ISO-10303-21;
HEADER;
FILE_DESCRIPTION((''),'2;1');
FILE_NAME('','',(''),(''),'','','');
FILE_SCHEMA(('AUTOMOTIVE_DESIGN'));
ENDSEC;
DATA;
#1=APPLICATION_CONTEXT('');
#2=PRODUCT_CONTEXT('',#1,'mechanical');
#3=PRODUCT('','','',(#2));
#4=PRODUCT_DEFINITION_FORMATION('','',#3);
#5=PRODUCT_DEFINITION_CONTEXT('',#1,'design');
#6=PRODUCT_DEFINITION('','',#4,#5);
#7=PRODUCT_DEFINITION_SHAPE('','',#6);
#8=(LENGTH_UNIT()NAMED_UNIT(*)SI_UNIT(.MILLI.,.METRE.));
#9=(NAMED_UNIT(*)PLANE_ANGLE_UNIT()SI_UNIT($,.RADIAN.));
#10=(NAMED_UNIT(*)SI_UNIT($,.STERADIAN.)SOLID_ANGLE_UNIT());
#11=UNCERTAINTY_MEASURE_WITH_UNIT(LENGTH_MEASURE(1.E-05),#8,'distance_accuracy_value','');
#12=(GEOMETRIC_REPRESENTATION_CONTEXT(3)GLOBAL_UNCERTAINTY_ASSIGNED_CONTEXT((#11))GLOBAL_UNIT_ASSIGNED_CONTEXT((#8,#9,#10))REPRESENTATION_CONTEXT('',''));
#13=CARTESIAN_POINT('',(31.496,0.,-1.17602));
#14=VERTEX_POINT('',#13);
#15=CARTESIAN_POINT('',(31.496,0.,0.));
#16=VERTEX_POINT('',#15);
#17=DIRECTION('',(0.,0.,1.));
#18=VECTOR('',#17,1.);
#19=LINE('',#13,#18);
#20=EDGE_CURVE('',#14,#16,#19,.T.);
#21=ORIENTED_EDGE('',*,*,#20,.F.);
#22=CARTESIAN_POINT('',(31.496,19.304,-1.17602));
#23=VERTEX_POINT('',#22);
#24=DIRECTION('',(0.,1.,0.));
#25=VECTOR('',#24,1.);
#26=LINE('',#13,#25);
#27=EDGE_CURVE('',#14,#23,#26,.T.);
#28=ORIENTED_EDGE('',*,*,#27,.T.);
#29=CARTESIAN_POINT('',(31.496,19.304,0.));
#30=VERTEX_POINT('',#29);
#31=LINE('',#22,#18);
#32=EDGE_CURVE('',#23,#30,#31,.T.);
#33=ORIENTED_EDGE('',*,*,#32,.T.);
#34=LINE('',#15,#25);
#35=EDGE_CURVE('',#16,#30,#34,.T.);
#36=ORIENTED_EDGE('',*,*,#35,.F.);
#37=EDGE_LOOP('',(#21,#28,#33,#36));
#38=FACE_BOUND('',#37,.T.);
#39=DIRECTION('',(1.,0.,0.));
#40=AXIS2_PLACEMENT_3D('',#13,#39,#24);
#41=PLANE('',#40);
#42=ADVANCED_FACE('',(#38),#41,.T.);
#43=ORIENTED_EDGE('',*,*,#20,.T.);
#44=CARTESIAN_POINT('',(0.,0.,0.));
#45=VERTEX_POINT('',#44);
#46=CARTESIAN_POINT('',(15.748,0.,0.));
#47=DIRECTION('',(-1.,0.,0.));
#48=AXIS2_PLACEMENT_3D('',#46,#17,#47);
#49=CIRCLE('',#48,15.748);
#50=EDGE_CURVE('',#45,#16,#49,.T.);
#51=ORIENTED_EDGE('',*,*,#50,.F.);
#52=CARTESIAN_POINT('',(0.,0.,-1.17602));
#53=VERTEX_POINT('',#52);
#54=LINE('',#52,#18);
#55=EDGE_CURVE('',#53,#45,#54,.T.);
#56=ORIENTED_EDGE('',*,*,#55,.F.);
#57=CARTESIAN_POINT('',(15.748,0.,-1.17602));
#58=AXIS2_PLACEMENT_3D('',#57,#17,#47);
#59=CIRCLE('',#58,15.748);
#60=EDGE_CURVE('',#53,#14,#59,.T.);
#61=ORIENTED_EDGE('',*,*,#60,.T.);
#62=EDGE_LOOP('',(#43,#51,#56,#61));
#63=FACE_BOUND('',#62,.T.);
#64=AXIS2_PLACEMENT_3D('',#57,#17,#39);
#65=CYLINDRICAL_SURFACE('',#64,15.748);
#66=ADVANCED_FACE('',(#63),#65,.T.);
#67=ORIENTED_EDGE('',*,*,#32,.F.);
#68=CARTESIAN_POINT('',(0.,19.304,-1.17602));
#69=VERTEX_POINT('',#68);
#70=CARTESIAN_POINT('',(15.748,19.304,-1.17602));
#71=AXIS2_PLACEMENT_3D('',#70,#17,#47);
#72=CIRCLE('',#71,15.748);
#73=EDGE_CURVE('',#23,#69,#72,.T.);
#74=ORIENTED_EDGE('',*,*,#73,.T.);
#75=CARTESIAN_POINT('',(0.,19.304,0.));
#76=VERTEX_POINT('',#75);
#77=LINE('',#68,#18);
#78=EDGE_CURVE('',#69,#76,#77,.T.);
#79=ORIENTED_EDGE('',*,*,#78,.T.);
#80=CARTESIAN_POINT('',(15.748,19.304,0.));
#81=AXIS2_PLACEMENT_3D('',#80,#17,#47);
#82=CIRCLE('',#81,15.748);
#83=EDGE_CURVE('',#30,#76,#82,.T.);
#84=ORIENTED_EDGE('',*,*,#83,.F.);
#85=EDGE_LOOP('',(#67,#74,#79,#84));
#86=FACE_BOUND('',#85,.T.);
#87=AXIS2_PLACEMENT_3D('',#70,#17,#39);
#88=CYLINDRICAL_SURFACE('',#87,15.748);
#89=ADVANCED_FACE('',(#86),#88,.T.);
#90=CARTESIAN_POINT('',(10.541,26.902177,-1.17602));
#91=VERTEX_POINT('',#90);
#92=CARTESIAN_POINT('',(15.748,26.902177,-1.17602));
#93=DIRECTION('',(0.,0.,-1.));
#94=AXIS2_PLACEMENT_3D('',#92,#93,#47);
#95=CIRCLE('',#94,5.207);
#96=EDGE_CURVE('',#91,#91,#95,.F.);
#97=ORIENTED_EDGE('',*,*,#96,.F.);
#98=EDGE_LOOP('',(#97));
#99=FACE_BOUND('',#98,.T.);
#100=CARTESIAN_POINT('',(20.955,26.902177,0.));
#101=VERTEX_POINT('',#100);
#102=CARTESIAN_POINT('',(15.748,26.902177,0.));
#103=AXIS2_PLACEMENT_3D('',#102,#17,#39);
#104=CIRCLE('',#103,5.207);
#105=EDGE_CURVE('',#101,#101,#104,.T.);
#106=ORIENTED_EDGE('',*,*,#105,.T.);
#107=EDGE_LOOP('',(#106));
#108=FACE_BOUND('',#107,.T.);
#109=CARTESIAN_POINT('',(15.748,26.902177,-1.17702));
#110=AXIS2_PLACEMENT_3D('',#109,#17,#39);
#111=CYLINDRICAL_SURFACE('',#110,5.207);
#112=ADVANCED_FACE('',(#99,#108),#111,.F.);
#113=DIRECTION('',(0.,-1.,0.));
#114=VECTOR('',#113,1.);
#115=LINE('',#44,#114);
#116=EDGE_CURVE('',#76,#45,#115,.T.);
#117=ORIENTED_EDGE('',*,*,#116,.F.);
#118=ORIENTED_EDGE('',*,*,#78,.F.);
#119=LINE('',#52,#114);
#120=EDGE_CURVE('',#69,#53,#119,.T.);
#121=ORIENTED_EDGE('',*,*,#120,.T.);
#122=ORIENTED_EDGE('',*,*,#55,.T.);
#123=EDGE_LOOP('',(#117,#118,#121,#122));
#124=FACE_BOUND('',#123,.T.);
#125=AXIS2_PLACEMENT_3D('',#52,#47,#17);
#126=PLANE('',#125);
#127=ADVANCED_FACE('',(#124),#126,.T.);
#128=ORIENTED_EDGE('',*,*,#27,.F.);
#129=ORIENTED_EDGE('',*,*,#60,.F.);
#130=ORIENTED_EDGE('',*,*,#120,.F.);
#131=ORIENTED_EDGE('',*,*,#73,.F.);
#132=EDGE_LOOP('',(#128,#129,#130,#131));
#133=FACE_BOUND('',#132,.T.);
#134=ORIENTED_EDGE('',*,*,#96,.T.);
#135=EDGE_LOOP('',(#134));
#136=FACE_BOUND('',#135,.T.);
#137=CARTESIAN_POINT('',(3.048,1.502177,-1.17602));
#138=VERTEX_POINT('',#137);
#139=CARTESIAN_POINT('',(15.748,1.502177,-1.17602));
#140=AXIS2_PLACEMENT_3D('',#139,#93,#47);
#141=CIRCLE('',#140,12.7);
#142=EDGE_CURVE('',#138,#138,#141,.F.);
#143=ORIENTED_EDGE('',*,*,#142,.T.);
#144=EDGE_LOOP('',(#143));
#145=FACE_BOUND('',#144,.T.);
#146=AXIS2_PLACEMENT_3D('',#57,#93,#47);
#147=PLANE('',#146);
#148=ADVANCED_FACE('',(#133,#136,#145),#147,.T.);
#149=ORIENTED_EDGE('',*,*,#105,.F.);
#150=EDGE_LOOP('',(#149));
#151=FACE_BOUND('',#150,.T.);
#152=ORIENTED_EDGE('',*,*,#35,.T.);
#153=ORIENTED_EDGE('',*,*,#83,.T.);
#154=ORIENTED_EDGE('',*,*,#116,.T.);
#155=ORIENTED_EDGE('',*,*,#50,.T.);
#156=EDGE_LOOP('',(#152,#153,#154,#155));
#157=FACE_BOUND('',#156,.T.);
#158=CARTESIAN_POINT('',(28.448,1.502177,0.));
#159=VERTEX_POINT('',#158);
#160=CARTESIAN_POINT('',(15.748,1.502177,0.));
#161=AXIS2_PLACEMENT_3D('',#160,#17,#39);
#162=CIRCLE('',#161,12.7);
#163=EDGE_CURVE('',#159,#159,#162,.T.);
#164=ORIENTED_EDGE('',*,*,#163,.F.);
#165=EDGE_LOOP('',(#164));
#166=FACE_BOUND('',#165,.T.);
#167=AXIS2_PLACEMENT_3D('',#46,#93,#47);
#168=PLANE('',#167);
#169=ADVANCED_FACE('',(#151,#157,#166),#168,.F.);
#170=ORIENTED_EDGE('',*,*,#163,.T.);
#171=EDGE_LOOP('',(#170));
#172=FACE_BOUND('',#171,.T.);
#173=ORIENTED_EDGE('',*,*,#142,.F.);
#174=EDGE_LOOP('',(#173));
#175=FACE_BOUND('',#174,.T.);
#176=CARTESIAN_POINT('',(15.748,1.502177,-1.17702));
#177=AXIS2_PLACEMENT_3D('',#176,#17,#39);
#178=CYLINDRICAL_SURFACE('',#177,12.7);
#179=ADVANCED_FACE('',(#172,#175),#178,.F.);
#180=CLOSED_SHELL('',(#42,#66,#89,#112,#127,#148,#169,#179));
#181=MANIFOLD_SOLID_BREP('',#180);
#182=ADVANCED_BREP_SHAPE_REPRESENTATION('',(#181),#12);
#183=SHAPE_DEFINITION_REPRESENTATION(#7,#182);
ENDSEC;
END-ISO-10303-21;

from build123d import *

# Parameters (mm, degrees)
FASTENER_BODY_DEPTH = 1.17602
CUT_EXTRUDE2_REACH  = 49.138
SKETCH3_R           = 5.207
SKETCH3_R_2         = 12.7


with BuildPart() as part:
    # Sketch2 → Fastener Body (new body)
    with BuildSketch(Plane.XY):
        with BuildLine():
            Line((0, 0), (0, 19.304))
            ThreePointArc((0, 19.304), (15.748, 35.052), (31.496, 19.304))
            Line((31.496, 19.304), (31.496, 0))
            ThreePointArc((31.496, 0), (15.748, -15.748), (0, 0))
        make_face()
    extrude(amount=-FASTENER_BODY_DEPTH)

    # Sketch3 → Cut-Extrude2 (cut, up to next)
    with BuildSketch(Plane.XY, mode=Mode.PRIVATE) as cut_extrude2_sk1:
        with Locations((15.748, 26.902177492)):
            Circle(SKETCH3_R)
    cut_extrude2_tool1 = extrude(cut_extrude2_sk1.sketch, amount=-CUT_EXTRUDE2_REACH, mode=Mode.PRIVATE) & part.part
    # Sketch3 → Cut-Extrude2 (cut, up to next)
    with BuildSketch(Plane.XY, mode=Mode.PRIVATE) as cut_extrude2_sk2:
        with Locations((15.748, 1.502177492)):
            Circle(SKETCH3_R_2)
    cut_extrude2_tool2 = extrude(cut_extrude2_sk2.sketch, amount=-CUT_EXTRUDE2_REACH, mode=Mode.PRIVATE) & part.part
    add(cut_extrude2_tool1.solids().sort_by_distance((15.748, 26.902177, 0))[0], mode=Mode.SUBTRACT)
    add(cut_extrude2_tool2.solids().sort_by_distance((15.748, 1.502177, 0))[0], mode=Mode.SUBTRACT)


solid = part.part
